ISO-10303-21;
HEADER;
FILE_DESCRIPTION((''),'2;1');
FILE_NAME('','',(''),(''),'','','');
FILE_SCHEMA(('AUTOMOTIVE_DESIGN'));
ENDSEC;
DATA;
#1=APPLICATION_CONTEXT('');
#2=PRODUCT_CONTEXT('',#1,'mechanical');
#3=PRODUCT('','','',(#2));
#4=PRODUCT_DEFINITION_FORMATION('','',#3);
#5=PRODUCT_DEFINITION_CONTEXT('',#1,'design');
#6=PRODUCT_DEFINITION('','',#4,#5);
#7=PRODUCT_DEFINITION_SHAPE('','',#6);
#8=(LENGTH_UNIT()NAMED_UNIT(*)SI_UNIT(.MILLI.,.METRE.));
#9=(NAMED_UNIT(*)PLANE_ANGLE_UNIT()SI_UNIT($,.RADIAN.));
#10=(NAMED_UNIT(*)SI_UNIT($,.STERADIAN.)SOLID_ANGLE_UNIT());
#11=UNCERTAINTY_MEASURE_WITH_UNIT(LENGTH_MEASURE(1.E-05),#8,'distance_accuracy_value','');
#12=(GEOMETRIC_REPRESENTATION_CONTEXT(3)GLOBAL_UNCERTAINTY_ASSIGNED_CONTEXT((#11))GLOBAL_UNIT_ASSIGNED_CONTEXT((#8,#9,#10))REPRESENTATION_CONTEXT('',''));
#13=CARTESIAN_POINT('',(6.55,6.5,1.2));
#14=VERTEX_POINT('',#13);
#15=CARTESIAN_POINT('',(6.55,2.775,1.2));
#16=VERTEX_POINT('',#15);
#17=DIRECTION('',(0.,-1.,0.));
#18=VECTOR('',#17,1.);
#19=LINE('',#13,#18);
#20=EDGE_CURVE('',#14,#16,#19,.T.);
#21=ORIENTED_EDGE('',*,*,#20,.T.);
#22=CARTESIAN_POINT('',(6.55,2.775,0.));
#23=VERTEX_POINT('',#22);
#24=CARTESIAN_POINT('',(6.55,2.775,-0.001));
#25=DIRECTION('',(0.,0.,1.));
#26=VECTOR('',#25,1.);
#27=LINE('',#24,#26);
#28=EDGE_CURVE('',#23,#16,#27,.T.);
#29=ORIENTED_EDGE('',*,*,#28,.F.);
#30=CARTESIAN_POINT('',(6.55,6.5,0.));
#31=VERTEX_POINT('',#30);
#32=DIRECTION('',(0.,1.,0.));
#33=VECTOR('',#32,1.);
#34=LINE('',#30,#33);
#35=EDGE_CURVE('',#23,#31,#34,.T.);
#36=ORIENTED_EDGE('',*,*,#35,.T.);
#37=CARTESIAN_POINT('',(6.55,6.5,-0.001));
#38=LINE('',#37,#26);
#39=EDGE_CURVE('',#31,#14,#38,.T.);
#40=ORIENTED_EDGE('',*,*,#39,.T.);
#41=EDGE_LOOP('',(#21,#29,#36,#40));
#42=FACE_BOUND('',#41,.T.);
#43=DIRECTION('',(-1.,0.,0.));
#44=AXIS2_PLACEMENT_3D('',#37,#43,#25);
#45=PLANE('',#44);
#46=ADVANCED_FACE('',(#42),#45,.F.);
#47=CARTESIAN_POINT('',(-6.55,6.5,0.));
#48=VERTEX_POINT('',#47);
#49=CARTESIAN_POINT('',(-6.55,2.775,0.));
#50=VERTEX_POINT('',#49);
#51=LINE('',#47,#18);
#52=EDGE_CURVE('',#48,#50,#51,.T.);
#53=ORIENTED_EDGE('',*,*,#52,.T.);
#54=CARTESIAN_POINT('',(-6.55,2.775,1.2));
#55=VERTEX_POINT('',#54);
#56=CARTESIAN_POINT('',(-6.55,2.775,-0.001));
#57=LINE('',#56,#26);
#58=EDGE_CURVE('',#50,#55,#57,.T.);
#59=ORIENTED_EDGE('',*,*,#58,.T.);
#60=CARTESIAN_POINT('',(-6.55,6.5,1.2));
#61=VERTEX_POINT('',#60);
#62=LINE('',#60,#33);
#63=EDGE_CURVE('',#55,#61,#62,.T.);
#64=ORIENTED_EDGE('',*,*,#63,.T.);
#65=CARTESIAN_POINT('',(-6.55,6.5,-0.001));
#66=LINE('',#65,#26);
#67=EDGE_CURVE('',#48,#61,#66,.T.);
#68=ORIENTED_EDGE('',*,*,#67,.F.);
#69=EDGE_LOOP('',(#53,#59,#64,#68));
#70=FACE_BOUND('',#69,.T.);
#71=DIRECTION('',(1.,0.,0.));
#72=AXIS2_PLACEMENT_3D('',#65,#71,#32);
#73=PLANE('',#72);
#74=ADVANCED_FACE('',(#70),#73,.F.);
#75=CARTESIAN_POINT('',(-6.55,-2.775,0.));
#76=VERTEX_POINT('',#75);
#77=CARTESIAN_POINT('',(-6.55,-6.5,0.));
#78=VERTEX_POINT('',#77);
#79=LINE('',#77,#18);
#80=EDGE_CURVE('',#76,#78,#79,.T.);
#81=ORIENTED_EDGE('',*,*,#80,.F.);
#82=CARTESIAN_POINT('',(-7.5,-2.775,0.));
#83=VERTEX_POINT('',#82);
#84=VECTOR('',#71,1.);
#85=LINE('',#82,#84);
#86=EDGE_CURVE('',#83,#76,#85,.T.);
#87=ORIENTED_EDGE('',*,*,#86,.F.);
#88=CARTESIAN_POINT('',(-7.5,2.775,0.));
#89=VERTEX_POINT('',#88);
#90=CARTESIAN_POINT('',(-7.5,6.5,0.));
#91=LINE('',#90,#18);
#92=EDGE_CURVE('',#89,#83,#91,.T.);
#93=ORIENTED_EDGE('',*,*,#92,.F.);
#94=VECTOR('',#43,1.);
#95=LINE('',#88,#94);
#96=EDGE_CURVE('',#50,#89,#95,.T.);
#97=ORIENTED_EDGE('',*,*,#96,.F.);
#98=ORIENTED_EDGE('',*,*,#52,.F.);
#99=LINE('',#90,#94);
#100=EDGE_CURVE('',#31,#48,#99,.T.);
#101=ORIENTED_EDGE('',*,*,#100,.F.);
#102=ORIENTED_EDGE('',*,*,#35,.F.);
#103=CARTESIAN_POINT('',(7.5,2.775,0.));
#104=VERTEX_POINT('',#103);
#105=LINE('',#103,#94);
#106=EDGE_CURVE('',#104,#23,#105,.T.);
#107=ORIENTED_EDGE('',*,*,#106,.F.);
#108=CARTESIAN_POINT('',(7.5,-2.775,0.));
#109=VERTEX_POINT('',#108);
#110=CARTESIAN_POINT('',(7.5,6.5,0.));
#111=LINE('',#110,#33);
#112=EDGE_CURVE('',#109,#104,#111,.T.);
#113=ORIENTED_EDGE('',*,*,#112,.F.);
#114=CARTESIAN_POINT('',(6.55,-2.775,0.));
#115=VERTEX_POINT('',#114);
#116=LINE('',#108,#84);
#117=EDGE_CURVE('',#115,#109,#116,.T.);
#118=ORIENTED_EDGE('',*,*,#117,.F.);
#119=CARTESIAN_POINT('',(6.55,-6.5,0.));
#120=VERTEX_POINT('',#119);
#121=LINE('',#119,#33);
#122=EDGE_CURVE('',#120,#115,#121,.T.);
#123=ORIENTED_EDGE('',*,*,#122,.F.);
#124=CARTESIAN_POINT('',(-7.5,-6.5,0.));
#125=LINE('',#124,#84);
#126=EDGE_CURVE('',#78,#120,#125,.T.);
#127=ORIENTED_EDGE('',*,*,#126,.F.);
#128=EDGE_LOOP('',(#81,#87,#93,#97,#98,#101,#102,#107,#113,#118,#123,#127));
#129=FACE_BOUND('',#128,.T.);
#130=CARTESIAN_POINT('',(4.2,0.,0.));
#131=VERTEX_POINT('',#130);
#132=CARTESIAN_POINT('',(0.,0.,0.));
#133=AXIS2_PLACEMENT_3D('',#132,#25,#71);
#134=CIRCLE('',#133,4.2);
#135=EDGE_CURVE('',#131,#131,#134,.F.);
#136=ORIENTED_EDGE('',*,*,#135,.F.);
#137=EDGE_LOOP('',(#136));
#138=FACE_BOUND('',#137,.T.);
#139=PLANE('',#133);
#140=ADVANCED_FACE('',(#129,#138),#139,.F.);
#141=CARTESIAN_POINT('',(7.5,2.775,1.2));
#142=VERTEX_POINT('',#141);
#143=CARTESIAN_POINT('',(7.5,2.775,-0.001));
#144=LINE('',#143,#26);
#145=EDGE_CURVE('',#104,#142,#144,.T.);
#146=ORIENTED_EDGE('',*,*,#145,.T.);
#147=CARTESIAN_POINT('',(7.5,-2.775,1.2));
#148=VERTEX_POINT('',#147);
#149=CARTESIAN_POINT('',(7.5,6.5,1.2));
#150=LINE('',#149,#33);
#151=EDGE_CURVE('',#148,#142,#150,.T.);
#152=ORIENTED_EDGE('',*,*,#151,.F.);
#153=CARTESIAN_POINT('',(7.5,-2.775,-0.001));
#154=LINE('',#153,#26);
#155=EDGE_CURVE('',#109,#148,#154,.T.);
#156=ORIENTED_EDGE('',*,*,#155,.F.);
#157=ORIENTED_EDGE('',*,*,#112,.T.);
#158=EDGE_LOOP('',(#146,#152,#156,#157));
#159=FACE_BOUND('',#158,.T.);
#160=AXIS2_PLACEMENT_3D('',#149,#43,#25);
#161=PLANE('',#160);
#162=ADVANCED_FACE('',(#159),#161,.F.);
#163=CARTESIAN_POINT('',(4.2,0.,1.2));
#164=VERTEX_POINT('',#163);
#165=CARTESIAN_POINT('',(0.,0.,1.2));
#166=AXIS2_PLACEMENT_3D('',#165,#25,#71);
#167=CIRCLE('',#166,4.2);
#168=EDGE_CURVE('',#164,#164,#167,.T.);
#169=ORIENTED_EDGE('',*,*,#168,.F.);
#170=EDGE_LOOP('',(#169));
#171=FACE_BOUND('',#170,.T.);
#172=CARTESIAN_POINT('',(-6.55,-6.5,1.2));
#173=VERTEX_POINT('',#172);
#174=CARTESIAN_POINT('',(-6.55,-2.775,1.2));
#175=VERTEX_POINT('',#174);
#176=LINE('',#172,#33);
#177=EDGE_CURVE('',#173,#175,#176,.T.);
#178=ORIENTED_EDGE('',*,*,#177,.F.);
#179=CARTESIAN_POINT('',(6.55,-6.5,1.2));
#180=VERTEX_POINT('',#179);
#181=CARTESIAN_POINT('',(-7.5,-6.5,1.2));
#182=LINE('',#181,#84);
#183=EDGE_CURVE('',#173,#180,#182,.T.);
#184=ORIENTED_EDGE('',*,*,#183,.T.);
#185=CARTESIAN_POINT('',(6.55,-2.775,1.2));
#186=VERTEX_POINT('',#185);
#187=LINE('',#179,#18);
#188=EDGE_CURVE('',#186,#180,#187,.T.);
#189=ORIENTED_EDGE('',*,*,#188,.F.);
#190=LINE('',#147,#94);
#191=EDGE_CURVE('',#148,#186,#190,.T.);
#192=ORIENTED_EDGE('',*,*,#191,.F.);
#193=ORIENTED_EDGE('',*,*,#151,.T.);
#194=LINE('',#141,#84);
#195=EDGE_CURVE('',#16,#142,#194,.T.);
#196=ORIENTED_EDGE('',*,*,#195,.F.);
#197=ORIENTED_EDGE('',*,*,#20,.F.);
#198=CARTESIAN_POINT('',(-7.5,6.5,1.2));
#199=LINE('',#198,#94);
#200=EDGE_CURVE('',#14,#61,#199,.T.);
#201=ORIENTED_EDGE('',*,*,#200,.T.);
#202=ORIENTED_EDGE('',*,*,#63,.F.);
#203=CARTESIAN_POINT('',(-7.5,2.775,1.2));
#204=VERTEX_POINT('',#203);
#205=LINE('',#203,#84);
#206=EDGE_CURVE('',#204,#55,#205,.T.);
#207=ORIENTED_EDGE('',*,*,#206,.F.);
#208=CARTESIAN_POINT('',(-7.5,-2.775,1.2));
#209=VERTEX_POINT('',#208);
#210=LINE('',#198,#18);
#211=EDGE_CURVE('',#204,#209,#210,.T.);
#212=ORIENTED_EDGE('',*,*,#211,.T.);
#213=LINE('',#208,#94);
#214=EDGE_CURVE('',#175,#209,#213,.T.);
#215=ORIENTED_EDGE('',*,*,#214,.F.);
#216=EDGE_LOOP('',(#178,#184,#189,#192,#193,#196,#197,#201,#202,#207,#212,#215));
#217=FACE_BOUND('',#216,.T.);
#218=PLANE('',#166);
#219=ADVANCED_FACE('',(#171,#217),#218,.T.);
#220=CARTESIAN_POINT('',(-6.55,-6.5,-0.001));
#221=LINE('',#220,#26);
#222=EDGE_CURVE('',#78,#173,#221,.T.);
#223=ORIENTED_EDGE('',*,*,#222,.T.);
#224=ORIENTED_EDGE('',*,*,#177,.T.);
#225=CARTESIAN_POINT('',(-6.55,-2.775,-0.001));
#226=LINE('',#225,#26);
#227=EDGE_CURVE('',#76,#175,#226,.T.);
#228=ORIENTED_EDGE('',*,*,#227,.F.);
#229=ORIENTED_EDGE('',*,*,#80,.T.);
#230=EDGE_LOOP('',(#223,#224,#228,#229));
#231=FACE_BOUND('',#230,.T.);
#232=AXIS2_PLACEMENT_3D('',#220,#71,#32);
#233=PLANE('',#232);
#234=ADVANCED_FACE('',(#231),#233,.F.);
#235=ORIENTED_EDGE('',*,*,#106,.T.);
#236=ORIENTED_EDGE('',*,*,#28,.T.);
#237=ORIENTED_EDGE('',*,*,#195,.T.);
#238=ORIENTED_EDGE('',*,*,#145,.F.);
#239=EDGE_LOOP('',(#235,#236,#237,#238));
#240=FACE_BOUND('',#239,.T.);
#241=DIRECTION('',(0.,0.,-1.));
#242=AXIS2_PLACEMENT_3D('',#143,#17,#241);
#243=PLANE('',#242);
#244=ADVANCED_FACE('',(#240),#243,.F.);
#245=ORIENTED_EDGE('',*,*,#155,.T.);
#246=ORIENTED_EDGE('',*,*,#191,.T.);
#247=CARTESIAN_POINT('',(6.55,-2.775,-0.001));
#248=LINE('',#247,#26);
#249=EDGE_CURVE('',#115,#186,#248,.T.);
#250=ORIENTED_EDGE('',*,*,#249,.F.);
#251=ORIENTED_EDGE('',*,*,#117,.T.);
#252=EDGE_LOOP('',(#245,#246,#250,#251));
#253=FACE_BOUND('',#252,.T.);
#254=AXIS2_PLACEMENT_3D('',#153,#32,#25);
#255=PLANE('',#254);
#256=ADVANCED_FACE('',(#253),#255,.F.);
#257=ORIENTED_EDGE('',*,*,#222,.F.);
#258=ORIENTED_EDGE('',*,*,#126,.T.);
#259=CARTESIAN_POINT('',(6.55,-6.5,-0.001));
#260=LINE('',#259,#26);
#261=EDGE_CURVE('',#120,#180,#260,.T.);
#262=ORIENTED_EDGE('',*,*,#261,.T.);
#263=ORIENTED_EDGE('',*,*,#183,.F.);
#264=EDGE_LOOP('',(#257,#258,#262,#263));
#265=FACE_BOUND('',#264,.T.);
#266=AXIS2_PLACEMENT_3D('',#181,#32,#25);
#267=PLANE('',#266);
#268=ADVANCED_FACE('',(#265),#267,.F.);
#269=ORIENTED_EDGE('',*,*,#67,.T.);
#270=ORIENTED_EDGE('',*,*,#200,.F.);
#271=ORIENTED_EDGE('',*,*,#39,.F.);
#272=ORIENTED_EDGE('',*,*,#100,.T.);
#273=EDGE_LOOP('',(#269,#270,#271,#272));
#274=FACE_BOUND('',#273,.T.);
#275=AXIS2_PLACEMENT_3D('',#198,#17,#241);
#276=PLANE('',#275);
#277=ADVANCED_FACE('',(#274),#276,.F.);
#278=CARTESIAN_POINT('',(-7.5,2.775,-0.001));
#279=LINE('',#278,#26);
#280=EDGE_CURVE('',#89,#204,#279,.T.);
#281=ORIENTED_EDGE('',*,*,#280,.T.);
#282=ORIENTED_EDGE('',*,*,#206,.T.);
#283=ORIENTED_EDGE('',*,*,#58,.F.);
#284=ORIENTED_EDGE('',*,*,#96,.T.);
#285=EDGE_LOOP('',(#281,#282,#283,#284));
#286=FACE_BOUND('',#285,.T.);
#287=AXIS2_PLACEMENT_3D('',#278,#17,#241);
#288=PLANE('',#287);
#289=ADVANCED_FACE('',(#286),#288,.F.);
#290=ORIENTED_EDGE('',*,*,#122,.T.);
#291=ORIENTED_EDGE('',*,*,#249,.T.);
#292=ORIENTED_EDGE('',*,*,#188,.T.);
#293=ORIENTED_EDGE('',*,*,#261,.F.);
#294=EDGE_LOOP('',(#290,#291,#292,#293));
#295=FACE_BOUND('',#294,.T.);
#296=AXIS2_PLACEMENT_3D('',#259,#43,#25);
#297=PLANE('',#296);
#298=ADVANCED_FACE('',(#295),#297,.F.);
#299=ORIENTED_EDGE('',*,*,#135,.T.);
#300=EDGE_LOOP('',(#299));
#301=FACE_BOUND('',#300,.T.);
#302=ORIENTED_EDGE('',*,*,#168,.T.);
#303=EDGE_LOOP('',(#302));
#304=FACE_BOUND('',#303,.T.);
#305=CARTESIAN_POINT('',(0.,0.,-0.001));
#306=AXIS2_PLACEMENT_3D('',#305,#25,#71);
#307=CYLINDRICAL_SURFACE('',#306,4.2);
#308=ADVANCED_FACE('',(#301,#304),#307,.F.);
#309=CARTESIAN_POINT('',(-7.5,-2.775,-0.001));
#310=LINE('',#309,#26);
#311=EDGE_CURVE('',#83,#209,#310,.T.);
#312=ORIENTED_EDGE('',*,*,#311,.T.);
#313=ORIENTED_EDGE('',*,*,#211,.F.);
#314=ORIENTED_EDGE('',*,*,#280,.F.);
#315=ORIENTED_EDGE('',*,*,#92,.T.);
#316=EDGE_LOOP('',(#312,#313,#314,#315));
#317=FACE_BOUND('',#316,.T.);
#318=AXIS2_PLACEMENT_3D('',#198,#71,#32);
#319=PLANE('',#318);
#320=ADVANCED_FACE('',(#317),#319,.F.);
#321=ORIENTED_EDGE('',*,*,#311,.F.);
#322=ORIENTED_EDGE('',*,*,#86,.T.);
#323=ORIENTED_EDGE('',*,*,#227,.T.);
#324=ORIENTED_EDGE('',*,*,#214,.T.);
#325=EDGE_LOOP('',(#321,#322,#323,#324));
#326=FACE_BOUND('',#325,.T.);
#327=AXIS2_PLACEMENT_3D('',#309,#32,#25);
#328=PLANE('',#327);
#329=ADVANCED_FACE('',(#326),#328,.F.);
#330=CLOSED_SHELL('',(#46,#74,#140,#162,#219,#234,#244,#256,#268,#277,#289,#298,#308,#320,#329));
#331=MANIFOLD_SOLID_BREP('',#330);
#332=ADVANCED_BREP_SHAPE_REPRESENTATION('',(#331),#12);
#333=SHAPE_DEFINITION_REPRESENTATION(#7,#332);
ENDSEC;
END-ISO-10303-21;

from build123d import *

# Parameters (mm, degrees)
CROQUIS1_W              = 15
CROQUIS1_H              = 13
SALIENTE_EXTRUIR1_DEPTH = 1.2
CORTAR_EXTRUIR1_REACH   = 3.2
CROQUIS2_W              = 0.95
CROQUIS2_H              = 3.725
CORTAR_EXTRUIR2_REACH   = 3.2
CROQUIS3_R              = 4.2


with BuildPart() as part:
    # Croquis1 → Saliente-Extruir1 (new body)
    with BuildSketch(Plane.XY):
        Rectangle(CROQUIS1_W, CROQUIS1_H)
    extrude(amount=SALIENTE_EXTRUIR1_DEPTH)

    # Croquis2 → Cortar-Extruir1 (cut, up to next)
    with BuildSketch(Plane.XY.offset(1.2), mode=Mode.PRIVATE) as cortar_extruir1_sk1:
        with Locations((7.025, 4.6375)):
            Rectangle(CROQUIS2_W, CROQUIS2_H)
    cortar_extruir1_tool1 = extrude(cortar_extruir1_sk1.sketch, amount=-CORTAR_EXTRUIR1_REACH, mode=Mode.PRIVATE) & part.part
    add(cortar_extruir1_tool1.solids().sort_by_distance((7.025, 4.6375, 1.2))[0], mode=Mode.SUBTRACT)
    # Croquis2 → Cortar-Extruir1 (cut, up to next)
    with BuildSketch(Plane.XY.offset(1.2), mode=Mode.PRIVATE) as cortar_extruir1_sk2:
        with Locations((7.025, -4.6375)):
            Rectangle(CROQUIS2_W, CROQUIS2_H)
    cortar_extruir1_tool2 = extrude(cortar_extruir1_sk2.sketch, amount=-CORTAR_EXTRUIR1_REACH, mode=Mode.PRIVATE) & part.part
    add(cortar_extruir1_tool2.solids().sort_by_distance((7.025, -4.6375, 1.2))[0], mode=Mode.SUBTRACT)
    # Croquis2 → Cortar-Extruir1 (cut, up to next)
    with BuildSketch(Plane.XY.offset(1.2), mode=Mode.PRIVATE) as cortar_extruir1_sk3:
        with Locations((-7.025, -4.6375)):
            Rectangle(CROQUIS2_W, CROQUIS2_H)
    cortar_extruir1_tool3 = extrude(cortar_extruir1_sk3.sketch, amount=-CORTAR_EXTRUIR1_REACH, mode=Mode.PRIVATE) & part.part
    add(cortar_extruir1_tool3.solids().sort_by_distance((-7.025, -4.6375, 1.2))[0], mode=Mode.SUBTRACT)
    # Croquis2 → Cortar-Extruir1 (cut, up to next)
    with BuildSketch(Plane.XY.offset(1.2), mode=Mode.PRIVATE) as cortar_extruir1_sk4:
        with Locations((-7.025, 4.6375)):
            Rectangle(CROQUIS2_W, CROQUIS2_H)
    cortar_extruir1_tool4 = extrude(cortar_extruir1_sk4.sketch, amount=-CORTAR_EXTRUIR1_REACH, mode=Mode.PRIVATE) & part.part
    add(cortar_extruir1_tool4.solids().sort_by_distance((-7.025, 4.6375, 1.2))[0], mode=Mode.SUBTRACT)

    # Croquis3 → Cortar-Extruir2 (cut, up to next)
    with BuildSketch(Plane.XY.offset(1.2), mode=Mode.PRIVATE) as cortar_extruir2_sk1:
        Circle(CROQUIS3_R)
    cortar_extruir2_tool1 = extrude(cortar_extruir2_sk1.sketch, amount=-CORTAR_EXTRUIR2_REACH, mode=Mode.PRIVATE) & part.part
    add(cortar_extruir2_tool1.solids().sort_by_distance((0, 0, 1.2))[0], mode=Mode.SUBTRACT)


solid = part.part
